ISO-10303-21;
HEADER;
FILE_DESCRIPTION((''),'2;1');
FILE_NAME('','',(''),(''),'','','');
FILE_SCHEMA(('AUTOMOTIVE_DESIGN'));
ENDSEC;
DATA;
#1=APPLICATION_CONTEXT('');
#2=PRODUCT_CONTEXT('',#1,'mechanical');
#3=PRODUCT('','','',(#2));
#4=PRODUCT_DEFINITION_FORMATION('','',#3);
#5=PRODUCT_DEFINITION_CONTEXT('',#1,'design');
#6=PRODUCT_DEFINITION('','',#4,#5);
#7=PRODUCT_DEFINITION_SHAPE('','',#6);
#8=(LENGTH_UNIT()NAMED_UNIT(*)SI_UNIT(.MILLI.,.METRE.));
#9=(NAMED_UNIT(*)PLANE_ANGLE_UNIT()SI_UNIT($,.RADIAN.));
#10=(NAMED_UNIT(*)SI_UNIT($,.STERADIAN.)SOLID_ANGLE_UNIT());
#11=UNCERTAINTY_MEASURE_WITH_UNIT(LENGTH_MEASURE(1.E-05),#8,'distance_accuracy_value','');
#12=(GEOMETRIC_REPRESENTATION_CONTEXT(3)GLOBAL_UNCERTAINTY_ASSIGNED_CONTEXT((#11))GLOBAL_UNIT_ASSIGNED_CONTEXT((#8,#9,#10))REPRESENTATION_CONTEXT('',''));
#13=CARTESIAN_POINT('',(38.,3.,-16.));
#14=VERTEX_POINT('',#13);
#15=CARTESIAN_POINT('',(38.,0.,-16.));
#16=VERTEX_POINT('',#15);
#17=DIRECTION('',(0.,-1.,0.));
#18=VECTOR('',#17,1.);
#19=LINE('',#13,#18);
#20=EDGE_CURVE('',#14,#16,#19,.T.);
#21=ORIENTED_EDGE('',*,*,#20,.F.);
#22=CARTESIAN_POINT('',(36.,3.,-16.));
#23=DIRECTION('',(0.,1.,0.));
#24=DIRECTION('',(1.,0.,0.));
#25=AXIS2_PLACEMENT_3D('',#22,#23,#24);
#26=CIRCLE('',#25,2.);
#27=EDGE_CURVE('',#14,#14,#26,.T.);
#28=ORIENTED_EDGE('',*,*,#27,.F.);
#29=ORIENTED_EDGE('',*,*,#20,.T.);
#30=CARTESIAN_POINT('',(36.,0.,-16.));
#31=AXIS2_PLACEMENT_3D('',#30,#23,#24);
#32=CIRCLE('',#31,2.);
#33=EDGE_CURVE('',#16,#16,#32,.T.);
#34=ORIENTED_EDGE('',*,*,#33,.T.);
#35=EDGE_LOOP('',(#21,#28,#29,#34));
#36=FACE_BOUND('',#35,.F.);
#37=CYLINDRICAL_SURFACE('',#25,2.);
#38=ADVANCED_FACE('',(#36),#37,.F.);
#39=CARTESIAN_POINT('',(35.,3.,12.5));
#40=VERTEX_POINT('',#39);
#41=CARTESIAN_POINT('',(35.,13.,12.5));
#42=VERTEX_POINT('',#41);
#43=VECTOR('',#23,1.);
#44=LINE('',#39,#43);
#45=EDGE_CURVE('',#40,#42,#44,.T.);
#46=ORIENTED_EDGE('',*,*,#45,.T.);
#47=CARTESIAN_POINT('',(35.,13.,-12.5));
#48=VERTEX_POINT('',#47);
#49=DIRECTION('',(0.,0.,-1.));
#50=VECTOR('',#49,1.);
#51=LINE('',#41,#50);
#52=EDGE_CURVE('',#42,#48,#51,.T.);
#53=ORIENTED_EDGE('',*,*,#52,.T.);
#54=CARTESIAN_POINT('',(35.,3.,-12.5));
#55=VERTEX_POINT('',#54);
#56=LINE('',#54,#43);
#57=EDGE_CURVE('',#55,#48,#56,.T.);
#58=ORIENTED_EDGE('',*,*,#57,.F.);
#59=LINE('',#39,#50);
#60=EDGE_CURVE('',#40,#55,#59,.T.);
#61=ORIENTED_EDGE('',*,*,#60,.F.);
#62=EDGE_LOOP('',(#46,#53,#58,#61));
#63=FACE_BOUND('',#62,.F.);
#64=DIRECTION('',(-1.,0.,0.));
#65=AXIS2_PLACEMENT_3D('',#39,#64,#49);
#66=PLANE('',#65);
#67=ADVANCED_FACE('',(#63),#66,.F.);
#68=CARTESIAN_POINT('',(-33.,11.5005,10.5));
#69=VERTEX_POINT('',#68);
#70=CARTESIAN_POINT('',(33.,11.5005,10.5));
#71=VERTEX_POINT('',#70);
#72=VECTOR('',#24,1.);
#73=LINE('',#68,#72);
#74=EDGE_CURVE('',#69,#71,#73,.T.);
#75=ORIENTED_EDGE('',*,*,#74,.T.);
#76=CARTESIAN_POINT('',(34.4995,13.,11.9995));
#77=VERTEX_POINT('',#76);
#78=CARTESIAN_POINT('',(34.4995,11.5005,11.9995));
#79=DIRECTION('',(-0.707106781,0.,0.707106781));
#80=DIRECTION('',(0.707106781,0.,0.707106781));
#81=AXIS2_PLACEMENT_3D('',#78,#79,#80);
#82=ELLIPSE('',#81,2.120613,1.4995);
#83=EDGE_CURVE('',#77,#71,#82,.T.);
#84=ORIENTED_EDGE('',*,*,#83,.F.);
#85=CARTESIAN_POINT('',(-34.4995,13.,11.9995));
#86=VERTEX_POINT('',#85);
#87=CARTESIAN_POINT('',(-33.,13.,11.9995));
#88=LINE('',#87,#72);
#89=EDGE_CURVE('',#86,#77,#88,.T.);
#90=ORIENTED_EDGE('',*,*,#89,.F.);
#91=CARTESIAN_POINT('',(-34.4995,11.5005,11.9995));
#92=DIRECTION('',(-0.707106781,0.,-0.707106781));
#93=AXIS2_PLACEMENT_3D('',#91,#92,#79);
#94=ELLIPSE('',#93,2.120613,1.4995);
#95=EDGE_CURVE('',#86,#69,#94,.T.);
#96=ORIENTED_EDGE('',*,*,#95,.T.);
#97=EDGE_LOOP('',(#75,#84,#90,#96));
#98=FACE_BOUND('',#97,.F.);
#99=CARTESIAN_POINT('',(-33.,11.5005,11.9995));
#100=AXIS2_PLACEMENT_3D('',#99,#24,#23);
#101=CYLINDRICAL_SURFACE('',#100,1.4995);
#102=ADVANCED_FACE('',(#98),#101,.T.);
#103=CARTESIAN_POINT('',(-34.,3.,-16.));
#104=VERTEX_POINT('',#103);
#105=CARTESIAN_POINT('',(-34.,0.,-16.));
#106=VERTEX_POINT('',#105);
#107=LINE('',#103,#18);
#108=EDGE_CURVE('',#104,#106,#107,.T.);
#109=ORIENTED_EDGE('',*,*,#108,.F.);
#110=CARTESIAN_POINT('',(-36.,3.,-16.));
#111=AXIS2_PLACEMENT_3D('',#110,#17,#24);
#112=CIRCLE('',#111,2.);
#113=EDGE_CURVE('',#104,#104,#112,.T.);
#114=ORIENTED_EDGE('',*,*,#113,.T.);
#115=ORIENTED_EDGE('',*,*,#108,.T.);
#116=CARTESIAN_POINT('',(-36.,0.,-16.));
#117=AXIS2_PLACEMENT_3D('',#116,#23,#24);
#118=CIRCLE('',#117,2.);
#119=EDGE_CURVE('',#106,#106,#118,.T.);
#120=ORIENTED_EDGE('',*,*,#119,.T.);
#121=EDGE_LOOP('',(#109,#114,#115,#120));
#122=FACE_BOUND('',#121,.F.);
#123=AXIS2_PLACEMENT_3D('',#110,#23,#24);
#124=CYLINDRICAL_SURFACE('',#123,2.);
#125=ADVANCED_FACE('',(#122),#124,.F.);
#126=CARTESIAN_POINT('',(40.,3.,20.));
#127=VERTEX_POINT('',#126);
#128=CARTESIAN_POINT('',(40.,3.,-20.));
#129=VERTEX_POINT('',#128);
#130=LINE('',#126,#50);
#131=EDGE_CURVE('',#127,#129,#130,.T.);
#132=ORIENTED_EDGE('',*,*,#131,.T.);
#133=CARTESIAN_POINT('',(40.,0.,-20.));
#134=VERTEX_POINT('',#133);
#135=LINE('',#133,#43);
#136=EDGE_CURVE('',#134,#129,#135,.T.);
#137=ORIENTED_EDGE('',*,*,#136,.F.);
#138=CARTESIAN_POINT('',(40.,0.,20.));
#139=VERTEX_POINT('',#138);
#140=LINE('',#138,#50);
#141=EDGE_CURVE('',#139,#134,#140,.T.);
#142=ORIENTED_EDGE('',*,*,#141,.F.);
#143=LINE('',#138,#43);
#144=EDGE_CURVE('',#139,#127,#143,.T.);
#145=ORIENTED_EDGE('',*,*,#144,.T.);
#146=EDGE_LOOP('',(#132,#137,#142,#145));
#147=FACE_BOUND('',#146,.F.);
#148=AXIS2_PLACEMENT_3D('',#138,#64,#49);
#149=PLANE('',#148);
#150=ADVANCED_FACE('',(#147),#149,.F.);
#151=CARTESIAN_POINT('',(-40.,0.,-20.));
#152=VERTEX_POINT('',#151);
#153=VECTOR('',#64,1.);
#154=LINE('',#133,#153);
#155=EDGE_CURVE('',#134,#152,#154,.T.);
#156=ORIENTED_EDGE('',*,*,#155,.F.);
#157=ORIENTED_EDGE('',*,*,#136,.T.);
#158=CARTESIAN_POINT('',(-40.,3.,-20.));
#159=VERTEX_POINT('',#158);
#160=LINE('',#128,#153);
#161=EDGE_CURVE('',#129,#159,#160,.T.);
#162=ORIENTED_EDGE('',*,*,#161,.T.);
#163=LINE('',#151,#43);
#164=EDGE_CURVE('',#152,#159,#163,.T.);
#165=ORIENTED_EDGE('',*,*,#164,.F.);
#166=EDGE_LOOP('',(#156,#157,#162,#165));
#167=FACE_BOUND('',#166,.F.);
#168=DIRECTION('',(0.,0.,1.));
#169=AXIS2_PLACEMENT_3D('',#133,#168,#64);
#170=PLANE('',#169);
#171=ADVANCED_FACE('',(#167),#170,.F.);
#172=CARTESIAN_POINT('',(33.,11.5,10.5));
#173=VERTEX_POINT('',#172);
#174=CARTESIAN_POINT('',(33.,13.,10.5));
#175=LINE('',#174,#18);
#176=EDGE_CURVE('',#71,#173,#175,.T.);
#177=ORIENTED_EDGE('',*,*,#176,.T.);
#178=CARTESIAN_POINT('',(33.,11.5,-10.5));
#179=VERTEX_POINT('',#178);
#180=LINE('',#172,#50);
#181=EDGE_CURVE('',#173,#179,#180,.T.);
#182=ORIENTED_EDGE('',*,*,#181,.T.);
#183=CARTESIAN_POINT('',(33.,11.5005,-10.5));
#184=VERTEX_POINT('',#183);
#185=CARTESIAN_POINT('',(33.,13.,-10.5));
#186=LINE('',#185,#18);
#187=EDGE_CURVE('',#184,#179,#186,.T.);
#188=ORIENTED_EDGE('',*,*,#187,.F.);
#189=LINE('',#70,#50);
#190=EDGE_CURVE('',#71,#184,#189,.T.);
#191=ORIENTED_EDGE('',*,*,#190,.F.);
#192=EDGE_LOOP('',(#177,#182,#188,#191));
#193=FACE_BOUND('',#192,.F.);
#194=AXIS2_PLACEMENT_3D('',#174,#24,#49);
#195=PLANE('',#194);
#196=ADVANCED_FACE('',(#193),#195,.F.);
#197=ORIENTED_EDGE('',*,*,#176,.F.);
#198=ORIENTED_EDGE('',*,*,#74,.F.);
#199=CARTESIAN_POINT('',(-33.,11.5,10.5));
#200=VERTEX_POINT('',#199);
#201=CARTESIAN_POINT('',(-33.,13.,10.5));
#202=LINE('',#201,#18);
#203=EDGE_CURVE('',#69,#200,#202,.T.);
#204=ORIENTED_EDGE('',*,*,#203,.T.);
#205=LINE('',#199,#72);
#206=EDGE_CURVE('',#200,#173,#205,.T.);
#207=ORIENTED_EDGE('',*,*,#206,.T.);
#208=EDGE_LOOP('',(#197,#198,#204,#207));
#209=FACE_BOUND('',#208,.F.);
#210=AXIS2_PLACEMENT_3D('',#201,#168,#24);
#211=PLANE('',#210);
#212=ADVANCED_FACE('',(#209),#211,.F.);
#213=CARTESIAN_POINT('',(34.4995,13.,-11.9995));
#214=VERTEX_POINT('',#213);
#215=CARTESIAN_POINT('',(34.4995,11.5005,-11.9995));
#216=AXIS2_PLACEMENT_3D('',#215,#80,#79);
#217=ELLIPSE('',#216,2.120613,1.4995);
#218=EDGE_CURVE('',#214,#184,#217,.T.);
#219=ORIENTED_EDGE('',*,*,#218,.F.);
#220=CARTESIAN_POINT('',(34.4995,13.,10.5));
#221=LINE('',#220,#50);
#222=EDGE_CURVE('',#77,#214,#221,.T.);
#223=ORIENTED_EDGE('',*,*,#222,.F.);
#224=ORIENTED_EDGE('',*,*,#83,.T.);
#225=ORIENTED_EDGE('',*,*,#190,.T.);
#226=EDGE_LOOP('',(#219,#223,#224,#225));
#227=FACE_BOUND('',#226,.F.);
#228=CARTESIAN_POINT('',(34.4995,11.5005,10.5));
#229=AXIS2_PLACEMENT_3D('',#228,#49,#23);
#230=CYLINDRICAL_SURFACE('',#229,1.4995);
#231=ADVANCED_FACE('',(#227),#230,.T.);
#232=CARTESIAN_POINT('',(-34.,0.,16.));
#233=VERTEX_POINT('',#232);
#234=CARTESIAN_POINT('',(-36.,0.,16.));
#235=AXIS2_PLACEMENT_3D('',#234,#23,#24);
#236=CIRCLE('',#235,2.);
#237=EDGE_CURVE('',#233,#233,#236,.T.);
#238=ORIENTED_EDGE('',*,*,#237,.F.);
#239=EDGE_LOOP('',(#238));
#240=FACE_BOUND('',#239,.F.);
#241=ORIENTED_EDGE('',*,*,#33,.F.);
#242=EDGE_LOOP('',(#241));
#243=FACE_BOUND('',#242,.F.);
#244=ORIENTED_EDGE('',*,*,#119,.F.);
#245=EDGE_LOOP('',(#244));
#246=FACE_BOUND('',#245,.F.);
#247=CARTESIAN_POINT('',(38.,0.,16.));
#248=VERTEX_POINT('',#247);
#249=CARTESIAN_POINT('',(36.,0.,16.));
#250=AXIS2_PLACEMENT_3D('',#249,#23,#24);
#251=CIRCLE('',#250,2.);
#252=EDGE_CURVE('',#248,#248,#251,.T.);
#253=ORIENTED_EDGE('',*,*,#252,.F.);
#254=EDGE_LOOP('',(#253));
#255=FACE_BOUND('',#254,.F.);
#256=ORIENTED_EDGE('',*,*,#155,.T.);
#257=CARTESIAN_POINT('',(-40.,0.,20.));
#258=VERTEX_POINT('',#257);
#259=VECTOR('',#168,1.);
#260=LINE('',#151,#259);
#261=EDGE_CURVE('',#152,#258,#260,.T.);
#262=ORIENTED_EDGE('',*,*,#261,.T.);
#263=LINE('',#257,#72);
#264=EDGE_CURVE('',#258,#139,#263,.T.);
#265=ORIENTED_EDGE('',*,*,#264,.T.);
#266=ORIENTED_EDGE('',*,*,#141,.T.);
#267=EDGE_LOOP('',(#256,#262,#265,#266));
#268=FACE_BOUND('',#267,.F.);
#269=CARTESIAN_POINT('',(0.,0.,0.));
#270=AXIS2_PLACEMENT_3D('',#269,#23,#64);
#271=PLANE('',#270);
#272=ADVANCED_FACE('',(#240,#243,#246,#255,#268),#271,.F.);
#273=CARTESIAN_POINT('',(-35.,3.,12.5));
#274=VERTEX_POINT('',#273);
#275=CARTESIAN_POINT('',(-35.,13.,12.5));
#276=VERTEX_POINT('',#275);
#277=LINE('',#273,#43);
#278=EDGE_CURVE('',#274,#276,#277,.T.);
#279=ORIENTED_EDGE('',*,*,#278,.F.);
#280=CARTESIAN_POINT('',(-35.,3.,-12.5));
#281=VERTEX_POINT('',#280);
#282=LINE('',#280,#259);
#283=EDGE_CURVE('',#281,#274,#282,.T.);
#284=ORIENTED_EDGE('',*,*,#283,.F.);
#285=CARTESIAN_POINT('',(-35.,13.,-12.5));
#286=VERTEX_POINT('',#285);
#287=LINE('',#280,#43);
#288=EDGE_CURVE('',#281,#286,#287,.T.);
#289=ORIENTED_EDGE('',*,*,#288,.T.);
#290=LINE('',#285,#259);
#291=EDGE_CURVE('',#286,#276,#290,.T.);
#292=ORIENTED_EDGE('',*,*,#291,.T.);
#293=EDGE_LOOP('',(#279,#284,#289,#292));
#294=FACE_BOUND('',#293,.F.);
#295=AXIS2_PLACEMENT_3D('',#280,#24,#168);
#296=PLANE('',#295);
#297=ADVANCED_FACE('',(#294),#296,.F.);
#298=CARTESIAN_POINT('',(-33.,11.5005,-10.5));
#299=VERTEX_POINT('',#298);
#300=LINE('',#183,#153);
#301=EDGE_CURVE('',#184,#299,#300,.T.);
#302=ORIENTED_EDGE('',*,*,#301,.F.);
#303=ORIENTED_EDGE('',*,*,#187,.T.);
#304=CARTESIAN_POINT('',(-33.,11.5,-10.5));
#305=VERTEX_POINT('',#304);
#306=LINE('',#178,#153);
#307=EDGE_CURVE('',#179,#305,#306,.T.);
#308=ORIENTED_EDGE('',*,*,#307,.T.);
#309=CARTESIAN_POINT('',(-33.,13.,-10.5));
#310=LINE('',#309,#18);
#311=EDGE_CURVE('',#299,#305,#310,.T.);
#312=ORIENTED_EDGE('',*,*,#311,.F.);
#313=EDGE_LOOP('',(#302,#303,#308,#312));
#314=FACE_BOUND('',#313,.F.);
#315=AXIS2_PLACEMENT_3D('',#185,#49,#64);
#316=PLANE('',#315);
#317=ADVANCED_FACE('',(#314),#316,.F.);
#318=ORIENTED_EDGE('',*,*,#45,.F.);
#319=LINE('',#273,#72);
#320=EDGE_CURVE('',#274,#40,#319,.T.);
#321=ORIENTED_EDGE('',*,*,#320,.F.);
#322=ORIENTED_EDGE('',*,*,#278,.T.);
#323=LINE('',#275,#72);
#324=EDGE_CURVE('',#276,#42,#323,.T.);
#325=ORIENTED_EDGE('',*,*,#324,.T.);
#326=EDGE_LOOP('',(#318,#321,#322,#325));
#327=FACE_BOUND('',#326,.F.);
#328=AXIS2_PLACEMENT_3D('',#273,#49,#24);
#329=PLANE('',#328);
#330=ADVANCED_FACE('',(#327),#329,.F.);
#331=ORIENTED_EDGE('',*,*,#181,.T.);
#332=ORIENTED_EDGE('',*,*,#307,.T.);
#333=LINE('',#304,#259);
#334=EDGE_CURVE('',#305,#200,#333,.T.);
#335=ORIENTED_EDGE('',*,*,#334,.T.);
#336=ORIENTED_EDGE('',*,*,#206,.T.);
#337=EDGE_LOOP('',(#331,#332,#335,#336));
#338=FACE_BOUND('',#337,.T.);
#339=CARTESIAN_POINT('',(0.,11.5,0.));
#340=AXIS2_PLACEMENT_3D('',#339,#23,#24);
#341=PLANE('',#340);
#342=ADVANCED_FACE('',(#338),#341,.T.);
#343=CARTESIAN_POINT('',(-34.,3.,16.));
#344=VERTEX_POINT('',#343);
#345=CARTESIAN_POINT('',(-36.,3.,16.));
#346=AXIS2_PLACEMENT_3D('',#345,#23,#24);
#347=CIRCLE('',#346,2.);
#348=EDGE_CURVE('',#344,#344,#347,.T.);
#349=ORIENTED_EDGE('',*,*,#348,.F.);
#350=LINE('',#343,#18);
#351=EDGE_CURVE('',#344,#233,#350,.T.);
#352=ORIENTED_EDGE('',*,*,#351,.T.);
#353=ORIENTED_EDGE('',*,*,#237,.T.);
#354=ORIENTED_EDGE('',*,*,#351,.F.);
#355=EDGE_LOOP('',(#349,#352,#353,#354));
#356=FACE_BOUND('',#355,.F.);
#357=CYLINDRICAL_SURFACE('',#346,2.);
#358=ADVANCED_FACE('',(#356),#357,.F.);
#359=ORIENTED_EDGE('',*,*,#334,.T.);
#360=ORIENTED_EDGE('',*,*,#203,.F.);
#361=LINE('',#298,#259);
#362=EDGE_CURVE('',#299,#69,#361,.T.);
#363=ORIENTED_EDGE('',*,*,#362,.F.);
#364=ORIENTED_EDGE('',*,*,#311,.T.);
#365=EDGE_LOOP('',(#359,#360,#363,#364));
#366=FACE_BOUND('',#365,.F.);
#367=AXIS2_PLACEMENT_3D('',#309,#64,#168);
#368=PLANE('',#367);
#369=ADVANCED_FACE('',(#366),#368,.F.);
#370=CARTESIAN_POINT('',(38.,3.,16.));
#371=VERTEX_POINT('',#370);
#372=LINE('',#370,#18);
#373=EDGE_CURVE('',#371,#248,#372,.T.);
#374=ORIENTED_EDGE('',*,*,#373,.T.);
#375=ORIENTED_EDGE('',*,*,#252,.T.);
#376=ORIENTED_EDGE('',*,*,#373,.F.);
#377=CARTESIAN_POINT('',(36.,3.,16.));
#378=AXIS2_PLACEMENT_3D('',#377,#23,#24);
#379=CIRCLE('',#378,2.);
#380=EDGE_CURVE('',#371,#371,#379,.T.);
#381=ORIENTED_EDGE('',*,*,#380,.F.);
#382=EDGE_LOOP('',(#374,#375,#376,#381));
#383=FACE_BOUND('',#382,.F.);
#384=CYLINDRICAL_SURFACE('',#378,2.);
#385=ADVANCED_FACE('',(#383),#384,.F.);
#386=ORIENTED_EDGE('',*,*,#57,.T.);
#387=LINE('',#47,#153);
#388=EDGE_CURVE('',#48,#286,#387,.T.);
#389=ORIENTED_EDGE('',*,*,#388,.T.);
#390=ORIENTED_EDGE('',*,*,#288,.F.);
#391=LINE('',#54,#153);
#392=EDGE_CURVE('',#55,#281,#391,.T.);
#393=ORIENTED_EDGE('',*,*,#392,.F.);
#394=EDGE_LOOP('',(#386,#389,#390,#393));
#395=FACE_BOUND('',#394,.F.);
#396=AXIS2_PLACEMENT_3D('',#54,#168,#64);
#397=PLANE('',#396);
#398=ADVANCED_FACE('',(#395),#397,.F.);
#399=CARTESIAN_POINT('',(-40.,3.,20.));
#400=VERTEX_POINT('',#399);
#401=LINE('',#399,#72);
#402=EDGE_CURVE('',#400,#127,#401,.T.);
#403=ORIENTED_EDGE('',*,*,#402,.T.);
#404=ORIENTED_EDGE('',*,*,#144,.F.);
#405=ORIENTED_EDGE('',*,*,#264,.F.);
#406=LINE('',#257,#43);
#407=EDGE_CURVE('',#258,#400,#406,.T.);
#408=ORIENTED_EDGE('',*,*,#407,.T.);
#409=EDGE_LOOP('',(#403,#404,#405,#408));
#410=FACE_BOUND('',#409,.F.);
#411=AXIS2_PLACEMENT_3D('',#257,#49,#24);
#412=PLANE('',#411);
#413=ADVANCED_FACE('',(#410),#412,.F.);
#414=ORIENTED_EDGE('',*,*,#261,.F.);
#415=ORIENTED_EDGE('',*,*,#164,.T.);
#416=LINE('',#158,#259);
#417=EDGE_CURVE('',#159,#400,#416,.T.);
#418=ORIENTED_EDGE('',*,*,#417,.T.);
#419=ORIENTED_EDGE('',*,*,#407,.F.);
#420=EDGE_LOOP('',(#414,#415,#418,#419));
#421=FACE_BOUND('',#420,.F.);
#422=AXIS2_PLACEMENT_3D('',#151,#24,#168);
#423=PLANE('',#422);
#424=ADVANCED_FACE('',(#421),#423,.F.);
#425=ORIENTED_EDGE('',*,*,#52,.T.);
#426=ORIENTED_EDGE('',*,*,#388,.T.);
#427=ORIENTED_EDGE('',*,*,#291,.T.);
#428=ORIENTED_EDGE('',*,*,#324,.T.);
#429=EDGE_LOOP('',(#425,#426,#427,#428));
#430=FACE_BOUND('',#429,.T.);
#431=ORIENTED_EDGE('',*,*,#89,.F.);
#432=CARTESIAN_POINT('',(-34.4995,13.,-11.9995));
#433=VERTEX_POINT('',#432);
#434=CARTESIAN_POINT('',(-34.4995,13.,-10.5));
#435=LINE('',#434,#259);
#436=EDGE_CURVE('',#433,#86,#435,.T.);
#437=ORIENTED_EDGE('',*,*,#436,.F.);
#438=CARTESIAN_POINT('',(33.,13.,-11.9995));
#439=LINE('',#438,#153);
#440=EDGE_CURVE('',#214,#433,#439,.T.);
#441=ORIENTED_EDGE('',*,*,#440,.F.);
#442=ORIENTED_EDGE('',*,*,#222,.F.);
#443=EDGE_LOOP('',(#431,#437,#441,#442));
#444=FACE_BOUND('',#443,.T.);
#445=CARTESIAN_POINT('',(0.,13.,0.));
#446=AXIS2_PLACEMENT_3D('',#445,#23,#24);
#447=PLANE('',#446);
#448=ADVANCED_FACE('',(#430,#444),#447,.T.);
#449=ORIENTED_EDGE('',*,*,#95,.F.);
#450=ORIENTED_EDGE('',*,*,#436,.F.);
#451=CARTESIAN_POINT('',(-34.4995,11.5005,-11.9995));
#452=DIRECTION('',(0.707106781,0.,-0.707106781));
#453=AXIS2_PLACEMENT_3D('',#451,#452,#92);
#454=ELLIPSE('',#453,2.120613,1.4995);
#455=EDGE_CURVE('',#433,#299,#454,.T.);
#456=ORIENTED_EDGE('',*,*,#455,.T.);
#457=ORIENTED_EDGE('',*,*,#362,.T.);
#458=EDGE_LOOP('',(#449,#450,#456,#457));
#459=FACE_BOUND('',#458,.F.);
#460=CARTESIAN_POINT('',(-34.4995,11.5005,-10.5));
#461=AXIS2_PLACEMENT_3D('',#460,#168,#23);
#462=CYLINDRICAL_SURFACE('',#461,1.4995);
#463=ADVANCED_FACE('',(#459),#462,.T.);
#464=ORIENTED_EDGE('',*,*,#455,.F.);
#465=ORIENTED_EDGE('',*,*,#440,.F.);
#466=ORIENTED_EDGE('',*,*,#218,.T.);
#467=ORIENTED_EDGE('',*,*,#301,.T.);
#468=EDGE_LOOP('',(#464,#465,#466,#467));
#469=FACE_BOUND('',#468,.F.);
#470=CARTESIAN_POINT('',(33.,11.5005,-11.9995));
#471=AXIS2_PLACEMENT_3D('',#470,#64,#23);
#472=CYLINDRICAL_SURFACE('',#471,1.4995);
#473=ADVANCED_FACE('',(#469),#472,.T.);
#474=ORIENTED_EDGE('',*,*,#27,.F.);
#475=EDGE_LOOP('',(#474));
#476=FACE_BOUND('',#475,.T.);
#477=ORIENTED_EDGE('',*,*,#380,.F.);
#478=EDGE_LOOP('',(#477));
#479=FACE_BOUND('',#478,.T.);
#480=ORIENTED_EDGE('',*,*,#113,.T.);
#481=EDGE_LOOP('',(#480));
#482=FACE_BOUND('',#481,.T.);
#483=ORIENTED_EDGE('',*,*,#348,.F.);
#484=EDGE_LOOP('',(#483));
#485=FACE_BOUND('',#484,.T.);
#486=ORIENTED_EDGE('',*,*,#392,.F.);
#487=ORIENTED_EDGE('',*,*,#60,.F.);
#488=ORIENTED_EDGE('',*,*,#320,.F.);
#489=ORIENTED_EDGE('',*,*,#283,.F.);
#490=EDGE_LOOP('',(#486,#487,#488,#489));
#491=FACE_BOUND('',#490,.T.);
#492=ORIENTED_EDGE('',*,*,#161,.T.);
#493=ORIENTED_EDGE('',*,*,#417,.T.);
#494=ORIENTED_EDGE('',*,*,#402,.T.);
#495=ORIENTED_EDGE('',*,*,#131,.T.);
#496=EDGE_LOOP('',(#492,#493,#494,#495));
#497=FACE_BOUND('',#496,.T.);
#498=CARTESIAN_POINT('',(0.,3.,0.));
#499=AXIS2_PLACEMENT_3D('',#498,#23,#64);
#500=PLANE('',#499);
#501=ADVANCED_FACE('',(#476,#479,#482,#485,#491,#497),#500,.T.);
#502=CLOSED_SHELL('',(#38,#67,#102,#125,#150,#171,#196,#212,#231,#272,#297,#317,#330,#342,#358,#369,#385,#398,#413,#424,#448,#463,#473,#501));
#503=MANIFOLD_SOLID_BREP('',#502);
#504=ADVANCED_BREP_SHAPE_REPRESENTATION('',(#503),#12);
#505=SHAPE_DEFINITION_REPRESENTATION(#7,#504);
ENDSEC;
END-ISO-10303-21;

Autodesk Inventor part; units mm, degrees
ref_plane "YZ Plane" through (0, 0, 0) normal (1, 0, 0) x (0, 1, 0)
ref_plane "XZ Plane" through (0, 0, 0) normal (0, 1, 0) x (-1, 0, 0)
ref_plane "XY Plane" through (0, 0, 0) normal (0, 0, 1) x (1, 0, 0)
sketch "Sketch1" plane through (0, 0, 0) normal (0, 1, 0) x (-1, 0, 0)
  line L0 (40, 20) -> (-40, 20)
  line L1 (-40, 20) -> (-40, -20)
  line L2 (-40, -20) -> (40, -20)
  line L3 (40, -20) -> (40, 20)
  line L4 (40, 20) -> (-40, -20) construction
  line L5 (-40, 20) -> (40, -20) construction
  point P0 (0, 0)
  dimension "d0" = 80
  dimension "d1" = 40
extrude "Extrusion1" add sketch "Sketch1" along normal blind 3
sketch "Sketch2" plane through (0, 3, 0) normal (0, 1, 0) x (1, 0, 0)
  line L0 (-35, -12.5) -> (35, -12.5)
  line L1 (35, -12.5) -> (35, 12.5)
  line L2 (35, 12.5) -> (-35, 12.5)
  line L3 (-35, 12.5) -> (-35, -12.5)
  line L4 (-35, -12.5) -> (35, 12.5) construction
  line L5 (35, -12.5) -> (-35, 12.5) construction
  point P0 (0, 0)
  dimension "d4" = 70
  dimension "d5" = 25
extrude "Extrusion2" add sketch "Sketch2" along normal blind 10
sketch "Sketch3" plane through (0, 13, 0) normal (0, 1, 0) x (1, 0, 0)
  line L0 (33, 10.5) -> (-33, 10.5)
  line L1 (-33, 10.5) -> (-33, -10.5)
  line L2 (-33, -10.5) -> (33, -10.5)
  line L3 (33, -10.5) -> (33, 10.5)
  line L4 (33, 10.5) -> (-33, -10.5) construction
  line L5 (-33, 10.5) -> (33, -10.5) construction
  point P0 (0, 0)
  dimension "d8" = 66
  dimension "d9" = 21
extrude "Extrusion3" cut sketch "Sketch3" against normal blind 1.5
fillet "Fillet1" radius 1.5 4 edges at (0, 13, -10.5) (-33, 13, 0) (0, 13, 10.5) (33, 13, 0)
sketch "Sketch4" plane through (0, 3, 0) normal (0, 1, 0) x (1, 0, 0)
  line L0 (-40, 20) -> (-40, 16)
  line L1 (-40, 20) -> (-40, -20) projected
  line L2 (-40, 16) -> (-36, 16)
  circle A0 centre (-36, 16) radius 2
  line L3 (-40, 0) -> (40, 0)
  line L4 (40, -20) -> (40, 20) projected
  line L5 (40, 20) -> (-40, 20) projected
  line L6 (0, 20) -> (0, -20)
  line L7 (-40, -20) -> (40, -20) projected
  circle A1 centre (-36, -16) radius 2
  circle A2 centre (36, 16) radius 2
  circle A3 centre (36, -16) radius 2
  point P0 (0, 0)
  dimension "d13" = 4
  dimension "d14" = 4
  dimension "d15" = 4
extrude "Extrusion4" cut sketch "Sketch4" against normal blind 3 contours A0 | A1 | A2 | A3
properties part number "LCD"
